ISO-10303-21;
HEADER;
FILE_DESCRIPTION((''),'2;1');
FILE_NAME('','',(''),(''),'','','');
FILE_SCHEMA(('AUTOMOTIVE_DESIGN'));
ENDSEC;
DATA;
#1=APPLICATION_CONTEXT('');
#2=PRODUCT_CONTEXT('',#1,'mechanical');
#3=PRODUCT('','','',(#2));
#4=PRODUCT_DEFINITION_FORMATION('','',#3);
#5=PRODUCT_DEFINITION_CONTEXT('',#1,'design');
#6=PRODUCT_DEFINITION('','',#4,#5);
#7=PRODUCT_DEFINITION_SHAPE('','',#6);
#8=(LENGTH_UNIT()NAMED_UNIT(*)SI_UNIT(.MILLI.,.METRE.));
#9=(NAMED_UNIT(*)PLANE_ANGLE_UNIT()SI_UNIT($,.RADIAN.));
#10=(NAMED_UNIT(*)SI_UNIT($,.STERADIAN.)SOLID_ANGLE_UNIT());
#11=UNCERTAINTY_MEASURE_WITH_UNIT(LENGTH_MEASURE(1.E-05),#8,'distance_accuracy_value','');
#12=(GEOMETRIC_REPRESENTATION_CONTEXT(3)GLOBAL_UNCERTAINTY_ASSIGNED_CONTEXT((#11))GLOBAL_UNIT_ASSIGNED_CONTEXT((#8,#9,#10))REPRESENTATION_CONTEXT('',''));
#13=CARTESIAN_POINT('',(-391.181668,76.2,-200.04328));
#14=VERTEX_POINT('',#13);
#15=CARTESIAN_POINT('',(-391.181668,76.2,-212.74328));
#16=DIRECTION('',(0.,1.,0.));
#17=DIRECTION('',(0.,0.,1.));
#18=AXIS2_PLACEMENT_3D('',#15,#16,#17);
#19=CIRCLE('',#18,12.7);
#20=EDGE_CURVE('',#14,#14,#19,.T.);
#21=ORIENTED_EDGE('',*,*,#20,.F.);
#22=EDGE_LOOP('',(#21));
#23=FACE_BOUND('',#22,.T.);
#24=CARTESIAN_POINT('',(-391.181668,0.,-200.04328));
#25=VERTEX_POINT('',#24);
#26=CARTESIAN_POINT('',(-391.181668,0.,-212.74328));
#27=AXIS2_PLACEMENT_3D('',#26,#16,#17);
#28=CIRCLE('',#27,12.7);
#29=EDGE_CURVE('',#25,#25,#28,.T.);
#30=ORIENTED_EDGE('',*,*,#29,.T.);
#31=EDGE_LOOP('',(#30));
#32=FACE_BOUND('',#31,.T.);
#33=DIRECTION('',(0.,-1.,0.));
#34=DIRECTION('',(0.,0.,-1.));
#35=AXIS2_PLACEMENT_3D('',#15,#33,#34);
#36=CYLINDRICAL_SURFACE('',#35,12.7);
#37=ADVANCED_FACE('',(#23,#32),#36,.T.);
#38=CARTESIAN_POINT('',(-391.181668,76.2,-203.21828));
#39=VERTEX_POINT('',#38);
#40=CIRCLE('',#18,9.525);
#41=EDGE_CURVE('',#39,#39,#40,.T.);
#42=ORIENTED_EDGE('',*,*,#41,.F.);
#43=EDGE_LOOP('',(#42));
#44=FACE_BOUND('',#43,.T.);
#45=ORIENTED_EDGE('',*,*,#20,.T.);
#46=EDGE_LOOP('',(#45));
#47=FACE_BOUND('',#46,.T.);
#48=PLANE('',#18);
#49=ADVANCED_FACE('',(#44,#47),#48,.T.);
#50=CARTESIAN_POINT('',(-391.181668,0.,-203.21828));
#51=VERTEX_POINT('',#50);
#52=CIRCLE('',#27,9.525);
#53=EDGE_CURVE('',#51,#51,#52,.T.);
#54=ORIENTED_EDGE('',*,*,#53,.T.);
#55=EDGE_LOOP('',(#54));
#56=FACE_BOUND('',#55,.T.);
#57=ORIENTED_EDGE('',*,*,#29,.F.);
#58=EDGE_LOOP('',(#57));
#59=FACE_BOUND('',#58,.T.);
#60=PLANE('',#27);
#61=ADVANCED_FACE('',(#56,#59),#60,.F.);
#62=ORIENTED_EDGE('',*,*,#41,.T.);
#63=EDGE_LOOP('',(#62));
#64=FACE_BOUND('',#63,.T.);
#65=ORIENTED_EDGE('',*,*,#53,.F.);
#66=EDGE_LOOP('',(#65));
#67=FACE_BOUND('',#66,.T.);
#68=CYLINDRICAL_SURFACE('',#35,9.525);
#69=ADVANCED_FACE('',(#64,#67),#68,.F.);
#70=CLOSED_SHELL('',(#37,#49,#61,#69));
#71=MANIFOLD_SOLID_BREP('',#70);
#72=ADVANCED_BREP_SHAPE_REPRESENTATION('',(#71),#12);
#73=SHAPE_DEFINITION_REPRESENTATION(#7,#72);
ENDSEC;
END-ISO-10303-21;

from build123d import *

# Parameters (mm, degrees)
SKETCH1_R           = 12.7
SKETCH1_R_2         = 9.525
BOSS_EXTRUDE2_DEPTH = 76.2


with BuildPart() as part:
    # Sketch1 → Boss-Extrude2 (new body)
    with BuildSketch(Plane(origin=(0, 0, 0), x_dir=(1, 0, 0), z_dir=(0, 1, 0))):
        with Locations((-391.181668083, 212.743279788)):
            Circle(SKETCH1_R)
        with Locations((-391.181668083, 212.743279788)):
            Circle(SKETCH1_R_2, mode=Mode.SUBTRACT)
    extrude(amount=BOSS_EXTRUDE2_DEPTH)


solid = part.part
